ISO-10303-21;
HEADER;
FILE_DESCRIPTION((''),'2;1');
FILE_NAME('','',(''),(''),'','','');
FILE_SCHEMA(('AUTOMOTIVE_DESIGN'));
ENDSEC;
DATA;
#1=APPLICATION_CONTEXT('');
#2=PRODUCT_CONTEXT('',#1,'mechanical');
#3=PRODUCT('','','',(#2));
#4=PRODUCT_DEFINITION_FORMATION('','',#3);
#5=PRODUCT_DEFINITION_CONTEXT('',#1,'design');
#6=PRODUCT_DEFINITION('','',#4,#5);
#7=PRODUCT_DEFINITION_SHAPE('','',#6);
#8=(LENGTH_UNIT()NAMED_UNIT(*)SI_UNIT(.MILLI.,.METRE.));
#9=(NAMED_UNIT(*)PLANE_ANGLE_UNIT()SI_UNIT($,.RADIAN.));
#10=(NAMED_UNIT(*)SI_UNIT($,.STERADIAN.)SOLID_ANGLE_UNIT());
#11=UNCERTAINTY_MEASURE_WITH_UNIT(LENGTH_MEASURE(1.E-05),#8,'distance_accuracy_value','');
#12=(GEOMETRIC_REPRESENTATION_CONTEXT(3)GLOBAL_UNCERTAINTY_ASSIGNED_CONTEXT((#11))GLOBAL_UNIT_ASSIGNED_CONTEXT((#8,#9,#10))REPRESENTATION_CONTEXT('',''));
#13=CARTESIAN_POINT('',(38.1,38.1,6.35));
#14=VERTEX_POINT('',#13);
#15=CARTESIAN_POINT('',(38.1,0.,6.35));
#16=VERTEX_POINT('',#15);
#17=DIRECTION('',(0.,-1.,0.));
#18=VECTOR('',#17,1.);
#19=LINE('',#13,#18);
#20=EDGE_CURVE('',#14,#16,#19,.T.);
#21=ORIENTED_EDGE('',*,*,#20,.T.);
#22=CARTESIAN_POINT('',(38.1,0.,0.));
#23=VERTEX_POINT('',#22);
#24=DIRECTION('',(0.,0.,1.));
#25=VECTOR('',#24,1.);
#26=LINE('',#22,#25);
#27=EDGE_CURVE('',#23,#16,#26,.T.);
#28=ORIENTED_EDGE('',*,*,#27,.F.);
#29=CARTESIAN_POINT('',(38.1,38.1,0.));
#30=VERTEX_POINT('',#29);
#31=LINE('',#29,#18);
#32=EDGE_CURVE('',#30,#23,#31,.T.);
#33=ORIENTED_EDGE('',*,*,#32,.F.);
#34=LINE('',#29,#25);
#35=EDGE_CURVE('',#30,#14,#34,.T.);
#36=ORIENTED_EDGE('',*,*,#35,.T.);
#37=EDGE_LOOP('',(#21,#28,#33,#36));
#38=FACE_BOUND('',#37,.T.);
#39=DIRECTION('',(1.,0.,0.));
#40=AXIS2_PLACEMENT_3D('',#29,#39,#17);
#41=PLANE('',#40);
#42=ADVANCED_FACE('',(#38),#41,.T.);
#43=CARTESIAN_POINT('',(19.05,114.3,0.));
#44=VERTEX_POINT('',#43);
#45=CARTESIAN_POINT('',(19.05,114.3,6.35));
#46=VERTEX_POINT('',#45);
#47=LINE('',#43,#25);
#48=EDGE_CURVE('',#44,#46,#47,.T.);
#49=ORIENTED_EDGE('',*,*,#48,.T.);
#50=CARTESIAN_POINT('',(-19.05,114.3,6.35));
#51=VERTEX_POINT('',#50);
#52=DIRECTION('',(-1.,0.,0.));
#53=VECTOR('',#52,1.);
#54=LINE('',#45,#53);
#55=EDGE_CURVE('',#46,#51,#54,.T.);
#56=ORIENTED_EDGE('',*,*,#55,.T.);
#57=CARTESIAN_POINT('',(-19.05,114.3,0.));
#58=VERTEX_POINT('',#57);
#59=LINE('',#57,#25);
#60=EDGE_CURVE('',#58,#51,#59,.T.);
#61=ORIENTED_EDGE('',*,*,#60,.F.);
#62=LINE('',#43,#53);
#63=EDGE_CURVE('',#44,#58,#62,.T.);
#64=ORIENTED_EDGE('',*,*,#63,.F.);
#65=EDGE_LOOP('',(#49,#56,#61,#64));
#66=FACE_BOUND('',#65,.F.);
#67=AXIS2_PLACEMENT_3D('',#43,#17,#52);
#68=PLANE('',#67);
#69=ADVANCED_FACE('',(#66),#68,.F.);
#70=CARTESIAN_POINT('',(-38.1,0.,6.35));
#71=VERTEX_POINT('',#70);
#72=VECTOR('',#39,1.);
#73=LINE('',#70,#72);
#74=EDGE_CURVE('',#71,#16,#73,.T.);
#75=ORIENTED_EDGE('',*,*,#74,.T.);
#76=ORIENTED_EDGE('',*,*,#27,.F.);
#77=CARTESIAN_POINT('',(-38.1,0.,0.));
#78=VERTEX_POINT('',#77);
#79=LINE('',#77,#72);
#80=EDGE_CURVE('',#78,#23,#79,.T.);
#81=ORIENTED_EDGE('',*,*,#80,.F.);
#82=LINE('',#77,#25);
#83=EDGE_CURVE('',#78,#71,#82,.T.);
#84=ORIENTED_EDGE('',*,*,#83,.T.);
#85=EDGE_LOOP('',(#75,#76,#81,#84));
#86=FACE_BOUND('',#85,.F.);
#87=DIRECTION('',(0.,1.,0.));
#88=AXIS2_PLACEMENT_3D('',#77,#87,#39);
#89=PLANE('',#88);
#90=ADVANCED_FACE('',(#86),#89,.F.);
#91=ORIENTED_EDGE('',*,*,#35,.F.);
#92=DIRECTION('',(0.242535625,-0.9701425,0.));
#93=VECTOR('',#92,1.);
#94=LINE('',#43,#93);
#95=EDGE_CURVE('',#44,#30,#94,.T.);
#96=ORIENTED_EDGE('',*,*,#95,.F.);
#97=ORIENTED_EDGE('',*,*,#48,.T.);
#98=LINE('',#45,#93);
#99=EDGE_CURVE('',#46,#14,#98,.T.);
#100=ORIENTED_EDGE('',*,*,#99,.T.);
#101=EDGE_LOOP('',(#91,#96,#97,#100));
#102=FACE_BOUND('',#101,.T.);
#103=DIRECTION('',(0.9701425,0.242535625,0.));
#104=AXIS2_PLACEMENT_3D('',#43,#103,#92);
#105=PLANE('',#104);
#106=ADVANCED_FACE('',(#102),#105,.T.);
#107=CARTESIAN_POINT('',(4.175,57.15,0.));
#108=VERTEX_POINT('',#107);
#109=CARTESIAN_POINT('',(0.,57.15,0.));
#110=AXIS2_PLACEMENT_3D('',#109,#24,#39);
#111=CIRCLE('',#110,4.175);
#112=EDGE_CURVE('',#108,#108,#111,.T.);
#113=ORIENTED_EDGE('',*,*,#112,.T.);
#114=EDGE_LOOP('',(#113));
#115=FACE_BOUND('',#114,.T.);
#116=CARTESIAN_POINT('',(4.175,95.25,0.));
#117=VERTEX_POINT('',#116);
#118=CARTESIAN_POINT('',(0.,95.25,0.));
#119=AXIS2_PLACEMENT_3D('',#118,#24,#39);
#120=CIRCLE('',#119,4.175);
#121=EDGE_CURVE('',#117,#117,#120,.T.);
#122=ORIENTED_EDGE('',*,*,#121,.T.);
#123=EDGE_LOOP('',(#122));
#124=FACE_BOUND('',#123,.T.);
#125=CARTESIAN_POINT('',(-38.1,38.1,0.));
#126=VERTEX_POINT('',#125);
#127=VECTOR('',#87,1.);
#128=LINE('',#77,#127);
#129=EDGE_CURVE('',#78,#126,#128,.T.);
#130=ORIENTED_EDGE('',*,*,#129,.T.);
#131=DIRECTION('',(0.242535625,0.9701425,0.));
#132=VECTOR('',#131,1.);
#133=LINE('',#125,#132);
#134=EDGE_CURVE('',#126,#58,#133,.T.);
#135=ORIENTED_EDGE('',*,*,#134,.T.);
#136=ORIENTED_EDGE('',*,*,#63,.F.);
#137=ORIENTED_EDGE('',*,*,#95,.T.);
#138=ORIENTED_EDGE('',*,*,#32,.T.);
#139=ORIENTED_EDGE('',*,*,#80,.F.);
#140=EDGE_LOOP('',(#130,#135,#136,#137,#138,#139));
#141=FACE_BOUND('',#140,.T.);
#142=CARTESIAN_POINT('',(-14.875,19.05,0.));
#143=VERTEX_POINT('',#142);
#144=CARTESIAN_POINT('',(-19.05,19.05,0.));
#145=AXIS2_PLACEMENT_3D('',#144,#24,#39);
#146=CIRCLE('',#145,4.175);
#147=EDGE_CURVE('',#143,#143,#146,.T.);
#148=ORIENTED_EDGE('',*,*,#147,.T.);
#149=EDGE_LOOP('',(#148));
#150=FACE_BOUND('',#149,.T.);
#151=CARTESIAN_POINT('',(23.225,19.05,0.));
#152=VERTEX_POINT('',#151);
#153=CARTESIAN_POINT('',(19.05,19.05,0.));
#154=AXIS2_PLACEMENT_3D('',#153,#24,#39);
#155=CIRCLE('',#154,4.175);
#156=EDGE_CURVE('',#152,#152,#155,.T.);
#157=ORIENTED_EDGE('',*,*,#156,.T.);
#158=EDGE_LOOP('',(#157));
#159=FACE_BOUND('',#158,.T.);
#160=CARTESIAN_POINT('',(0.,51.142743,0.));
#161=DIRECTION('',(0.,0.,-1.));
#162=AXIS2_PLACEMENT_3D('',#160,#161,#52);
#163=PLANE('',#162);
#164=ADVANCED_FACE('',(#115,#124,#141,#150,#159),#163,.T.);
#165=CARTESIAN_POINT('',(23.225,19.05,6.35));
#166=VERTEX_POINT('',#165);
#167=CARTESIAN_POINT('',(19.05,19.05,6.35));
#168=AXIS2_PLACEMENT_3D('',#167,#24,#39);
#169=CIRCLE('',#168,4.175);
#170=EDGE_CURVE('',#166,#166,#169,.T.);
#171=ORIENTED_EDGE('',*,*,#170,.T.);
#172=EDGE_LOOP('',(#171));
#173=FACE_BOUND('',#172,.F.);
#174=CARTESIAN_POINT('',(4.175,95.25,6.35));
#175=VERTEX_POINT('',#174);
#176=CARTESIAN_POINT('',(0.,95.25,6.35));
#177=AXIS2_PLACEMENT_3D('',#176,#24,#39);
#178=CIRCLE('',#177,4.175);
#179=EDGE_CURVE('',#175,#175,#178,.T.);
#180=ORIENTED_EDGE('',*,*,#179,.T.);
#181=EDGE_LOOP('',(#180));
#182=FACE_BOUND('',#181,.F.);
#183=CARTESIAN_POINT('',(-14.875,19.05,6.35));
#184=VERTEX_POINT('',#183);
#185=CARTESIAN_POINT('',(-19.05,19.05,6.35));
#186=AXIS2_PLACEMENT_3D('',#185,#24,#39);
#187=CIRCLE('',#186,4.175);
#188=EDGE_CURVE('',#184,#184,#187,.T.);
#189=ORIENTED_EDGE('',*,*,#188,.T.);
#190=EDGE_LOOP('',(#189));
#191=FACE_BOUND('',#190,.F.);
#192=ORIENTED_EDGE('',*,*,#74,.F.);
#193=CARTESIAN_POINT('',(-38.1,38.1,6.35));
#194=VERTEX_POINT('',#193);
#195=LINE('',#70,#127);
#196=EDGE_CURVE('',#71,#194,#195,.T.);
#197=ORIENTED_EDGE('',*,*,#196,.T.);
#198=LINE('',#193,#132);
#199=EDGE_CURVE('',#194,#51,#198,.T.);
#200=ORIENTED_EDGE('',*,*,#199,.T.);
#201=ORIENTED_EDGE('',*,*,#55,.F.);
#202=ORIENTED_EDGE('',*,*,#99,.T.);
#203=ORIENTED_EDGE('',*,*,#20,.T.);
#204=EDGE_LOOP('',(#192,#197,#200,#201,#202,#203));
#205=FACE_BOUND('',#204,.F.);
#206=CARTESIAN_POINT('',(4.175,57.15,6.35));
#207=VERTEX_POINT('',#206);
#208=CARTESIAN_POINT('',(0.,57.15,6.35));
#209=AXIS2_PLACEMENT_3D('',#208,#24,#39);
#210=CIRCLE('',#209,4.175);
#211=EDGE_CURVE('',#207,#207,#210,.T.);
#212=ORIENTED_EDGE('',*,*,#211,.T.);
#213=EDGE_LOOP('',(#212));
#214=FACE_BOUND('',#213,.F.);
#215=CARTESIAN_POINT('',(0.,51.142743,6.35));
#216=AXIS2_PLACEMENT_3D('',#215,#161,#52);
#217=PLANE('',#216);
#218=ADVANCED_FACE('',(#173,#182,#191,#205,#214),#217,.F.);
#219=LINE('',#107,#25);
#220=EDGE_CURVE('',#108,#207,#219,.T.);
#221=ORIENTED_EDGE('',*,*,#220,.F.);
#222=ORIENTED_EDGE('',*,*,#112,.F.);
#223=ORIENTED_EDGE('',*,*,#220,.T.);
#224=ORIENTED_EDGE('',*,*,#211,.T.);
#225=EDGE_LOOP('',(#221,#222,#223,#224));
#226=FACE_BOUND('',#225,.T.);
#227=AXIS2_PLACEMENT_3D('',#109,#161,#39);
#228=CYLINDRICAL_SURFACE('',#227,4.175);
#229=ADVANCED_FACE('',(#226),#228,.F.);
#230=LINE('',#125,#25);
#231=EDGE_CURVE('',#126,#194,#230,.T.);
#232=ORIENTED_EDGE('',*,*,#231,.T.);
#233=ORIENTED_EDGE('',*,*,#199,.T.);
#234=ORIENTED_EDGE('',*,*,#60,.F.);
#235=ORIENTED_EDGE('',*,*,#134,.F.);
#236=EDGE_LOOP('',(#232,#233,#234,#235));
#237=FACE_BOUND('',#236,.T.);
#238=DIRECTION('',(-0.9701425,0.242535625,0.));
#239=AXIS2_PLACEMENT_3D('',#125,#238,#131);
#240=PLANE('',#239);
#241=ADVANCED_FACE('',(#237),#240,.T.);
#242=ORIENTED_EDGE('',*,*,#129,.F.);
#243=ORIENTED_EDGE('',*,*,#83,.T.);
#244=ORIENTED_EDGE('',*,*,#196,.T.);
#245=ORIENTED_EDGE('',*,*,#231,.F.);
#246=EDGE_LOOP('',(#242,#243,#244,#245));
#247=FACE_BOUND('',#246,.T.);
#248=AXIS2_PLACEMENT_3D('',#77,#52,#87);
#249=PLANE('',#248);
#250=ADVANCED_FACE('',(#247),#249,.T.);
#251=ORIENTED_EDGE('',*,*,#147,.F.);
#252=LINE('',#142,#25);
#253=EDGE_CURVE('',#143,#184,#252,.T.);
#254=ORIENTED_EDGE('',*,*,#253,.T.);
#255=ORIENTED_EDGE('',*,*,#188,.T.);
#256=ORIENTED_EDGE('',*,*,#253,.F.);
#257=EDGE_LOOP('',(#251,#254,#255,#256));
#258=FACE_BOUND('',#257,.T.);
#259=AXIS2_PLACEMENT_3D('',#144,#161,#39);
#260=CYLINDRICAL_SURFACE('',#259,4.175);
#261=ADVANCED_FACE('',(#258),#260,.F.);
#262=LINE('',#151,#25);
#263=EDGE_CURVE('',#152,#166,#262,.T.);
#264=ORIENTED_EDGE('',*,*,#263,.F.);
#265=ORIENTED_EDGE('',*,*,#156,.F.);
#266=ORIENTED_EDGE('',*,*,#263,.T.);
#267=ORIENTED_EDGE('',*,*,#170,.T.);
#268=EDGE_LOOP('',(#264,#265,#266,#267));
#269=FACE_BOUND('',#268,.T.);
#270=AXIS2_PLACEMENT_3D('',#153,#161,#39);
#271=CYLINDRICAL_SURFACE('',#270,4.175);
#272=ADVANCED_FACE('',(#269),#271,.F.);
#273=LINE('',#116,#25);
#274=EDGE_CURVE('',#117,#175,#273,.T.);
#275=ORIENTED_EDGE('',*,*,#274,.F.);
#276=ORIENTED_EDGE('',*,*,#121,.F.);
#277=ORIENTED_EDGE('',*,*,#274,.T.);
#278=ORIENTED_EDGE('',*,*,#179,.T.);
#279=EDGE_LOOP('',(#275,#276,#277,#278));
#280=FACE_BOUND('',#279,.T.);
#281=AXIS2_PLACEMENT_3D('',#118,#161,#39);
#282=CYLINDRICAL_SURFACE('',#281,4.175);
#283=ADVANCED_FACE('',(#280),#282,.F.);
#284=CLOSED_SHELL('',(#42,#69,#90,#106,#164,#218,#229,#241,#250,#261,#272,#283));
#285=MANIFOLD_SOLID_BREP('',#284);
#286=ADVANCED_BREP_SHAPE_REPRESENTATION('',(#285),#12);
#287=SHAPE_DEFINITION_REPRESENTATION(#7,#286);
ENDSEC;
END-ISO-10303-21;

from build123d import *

# Parameters (mm, degrees)
SKETCH_R  = 4.175
PAD_DEPTH = 6.35


with BuildPart() as part:
    # Sketch → Pad (new body)
    with BuildSketch(Plane.XY):
        Polygon((0, 0), (-38.1, 0), (-38.1, 38.1), (-19.05, 114.3), (0, 114.3), (19.05, 114.3), (38.1, 38.1), (38.1, 0), align=None)
        with Locations((-19.05, 19.05)):
            Circle(SKETCH_R, mode=Mode.SUBTRACT)
        with Locations((19.05, 19.05)):
            Circle(SKETCH_R, mode=Mode.SUBTRACT)
        with Locations((0, 95.25)):
            Circle(SKETCH_R, mode=Mode.SUBTRACT)
        with Locations((0, 57.15)):
            Circle(SKETCH_R, mode=Mode.SUBTRACT)
    extrude(amount=PAD_DEPTH)


solid = part.part
